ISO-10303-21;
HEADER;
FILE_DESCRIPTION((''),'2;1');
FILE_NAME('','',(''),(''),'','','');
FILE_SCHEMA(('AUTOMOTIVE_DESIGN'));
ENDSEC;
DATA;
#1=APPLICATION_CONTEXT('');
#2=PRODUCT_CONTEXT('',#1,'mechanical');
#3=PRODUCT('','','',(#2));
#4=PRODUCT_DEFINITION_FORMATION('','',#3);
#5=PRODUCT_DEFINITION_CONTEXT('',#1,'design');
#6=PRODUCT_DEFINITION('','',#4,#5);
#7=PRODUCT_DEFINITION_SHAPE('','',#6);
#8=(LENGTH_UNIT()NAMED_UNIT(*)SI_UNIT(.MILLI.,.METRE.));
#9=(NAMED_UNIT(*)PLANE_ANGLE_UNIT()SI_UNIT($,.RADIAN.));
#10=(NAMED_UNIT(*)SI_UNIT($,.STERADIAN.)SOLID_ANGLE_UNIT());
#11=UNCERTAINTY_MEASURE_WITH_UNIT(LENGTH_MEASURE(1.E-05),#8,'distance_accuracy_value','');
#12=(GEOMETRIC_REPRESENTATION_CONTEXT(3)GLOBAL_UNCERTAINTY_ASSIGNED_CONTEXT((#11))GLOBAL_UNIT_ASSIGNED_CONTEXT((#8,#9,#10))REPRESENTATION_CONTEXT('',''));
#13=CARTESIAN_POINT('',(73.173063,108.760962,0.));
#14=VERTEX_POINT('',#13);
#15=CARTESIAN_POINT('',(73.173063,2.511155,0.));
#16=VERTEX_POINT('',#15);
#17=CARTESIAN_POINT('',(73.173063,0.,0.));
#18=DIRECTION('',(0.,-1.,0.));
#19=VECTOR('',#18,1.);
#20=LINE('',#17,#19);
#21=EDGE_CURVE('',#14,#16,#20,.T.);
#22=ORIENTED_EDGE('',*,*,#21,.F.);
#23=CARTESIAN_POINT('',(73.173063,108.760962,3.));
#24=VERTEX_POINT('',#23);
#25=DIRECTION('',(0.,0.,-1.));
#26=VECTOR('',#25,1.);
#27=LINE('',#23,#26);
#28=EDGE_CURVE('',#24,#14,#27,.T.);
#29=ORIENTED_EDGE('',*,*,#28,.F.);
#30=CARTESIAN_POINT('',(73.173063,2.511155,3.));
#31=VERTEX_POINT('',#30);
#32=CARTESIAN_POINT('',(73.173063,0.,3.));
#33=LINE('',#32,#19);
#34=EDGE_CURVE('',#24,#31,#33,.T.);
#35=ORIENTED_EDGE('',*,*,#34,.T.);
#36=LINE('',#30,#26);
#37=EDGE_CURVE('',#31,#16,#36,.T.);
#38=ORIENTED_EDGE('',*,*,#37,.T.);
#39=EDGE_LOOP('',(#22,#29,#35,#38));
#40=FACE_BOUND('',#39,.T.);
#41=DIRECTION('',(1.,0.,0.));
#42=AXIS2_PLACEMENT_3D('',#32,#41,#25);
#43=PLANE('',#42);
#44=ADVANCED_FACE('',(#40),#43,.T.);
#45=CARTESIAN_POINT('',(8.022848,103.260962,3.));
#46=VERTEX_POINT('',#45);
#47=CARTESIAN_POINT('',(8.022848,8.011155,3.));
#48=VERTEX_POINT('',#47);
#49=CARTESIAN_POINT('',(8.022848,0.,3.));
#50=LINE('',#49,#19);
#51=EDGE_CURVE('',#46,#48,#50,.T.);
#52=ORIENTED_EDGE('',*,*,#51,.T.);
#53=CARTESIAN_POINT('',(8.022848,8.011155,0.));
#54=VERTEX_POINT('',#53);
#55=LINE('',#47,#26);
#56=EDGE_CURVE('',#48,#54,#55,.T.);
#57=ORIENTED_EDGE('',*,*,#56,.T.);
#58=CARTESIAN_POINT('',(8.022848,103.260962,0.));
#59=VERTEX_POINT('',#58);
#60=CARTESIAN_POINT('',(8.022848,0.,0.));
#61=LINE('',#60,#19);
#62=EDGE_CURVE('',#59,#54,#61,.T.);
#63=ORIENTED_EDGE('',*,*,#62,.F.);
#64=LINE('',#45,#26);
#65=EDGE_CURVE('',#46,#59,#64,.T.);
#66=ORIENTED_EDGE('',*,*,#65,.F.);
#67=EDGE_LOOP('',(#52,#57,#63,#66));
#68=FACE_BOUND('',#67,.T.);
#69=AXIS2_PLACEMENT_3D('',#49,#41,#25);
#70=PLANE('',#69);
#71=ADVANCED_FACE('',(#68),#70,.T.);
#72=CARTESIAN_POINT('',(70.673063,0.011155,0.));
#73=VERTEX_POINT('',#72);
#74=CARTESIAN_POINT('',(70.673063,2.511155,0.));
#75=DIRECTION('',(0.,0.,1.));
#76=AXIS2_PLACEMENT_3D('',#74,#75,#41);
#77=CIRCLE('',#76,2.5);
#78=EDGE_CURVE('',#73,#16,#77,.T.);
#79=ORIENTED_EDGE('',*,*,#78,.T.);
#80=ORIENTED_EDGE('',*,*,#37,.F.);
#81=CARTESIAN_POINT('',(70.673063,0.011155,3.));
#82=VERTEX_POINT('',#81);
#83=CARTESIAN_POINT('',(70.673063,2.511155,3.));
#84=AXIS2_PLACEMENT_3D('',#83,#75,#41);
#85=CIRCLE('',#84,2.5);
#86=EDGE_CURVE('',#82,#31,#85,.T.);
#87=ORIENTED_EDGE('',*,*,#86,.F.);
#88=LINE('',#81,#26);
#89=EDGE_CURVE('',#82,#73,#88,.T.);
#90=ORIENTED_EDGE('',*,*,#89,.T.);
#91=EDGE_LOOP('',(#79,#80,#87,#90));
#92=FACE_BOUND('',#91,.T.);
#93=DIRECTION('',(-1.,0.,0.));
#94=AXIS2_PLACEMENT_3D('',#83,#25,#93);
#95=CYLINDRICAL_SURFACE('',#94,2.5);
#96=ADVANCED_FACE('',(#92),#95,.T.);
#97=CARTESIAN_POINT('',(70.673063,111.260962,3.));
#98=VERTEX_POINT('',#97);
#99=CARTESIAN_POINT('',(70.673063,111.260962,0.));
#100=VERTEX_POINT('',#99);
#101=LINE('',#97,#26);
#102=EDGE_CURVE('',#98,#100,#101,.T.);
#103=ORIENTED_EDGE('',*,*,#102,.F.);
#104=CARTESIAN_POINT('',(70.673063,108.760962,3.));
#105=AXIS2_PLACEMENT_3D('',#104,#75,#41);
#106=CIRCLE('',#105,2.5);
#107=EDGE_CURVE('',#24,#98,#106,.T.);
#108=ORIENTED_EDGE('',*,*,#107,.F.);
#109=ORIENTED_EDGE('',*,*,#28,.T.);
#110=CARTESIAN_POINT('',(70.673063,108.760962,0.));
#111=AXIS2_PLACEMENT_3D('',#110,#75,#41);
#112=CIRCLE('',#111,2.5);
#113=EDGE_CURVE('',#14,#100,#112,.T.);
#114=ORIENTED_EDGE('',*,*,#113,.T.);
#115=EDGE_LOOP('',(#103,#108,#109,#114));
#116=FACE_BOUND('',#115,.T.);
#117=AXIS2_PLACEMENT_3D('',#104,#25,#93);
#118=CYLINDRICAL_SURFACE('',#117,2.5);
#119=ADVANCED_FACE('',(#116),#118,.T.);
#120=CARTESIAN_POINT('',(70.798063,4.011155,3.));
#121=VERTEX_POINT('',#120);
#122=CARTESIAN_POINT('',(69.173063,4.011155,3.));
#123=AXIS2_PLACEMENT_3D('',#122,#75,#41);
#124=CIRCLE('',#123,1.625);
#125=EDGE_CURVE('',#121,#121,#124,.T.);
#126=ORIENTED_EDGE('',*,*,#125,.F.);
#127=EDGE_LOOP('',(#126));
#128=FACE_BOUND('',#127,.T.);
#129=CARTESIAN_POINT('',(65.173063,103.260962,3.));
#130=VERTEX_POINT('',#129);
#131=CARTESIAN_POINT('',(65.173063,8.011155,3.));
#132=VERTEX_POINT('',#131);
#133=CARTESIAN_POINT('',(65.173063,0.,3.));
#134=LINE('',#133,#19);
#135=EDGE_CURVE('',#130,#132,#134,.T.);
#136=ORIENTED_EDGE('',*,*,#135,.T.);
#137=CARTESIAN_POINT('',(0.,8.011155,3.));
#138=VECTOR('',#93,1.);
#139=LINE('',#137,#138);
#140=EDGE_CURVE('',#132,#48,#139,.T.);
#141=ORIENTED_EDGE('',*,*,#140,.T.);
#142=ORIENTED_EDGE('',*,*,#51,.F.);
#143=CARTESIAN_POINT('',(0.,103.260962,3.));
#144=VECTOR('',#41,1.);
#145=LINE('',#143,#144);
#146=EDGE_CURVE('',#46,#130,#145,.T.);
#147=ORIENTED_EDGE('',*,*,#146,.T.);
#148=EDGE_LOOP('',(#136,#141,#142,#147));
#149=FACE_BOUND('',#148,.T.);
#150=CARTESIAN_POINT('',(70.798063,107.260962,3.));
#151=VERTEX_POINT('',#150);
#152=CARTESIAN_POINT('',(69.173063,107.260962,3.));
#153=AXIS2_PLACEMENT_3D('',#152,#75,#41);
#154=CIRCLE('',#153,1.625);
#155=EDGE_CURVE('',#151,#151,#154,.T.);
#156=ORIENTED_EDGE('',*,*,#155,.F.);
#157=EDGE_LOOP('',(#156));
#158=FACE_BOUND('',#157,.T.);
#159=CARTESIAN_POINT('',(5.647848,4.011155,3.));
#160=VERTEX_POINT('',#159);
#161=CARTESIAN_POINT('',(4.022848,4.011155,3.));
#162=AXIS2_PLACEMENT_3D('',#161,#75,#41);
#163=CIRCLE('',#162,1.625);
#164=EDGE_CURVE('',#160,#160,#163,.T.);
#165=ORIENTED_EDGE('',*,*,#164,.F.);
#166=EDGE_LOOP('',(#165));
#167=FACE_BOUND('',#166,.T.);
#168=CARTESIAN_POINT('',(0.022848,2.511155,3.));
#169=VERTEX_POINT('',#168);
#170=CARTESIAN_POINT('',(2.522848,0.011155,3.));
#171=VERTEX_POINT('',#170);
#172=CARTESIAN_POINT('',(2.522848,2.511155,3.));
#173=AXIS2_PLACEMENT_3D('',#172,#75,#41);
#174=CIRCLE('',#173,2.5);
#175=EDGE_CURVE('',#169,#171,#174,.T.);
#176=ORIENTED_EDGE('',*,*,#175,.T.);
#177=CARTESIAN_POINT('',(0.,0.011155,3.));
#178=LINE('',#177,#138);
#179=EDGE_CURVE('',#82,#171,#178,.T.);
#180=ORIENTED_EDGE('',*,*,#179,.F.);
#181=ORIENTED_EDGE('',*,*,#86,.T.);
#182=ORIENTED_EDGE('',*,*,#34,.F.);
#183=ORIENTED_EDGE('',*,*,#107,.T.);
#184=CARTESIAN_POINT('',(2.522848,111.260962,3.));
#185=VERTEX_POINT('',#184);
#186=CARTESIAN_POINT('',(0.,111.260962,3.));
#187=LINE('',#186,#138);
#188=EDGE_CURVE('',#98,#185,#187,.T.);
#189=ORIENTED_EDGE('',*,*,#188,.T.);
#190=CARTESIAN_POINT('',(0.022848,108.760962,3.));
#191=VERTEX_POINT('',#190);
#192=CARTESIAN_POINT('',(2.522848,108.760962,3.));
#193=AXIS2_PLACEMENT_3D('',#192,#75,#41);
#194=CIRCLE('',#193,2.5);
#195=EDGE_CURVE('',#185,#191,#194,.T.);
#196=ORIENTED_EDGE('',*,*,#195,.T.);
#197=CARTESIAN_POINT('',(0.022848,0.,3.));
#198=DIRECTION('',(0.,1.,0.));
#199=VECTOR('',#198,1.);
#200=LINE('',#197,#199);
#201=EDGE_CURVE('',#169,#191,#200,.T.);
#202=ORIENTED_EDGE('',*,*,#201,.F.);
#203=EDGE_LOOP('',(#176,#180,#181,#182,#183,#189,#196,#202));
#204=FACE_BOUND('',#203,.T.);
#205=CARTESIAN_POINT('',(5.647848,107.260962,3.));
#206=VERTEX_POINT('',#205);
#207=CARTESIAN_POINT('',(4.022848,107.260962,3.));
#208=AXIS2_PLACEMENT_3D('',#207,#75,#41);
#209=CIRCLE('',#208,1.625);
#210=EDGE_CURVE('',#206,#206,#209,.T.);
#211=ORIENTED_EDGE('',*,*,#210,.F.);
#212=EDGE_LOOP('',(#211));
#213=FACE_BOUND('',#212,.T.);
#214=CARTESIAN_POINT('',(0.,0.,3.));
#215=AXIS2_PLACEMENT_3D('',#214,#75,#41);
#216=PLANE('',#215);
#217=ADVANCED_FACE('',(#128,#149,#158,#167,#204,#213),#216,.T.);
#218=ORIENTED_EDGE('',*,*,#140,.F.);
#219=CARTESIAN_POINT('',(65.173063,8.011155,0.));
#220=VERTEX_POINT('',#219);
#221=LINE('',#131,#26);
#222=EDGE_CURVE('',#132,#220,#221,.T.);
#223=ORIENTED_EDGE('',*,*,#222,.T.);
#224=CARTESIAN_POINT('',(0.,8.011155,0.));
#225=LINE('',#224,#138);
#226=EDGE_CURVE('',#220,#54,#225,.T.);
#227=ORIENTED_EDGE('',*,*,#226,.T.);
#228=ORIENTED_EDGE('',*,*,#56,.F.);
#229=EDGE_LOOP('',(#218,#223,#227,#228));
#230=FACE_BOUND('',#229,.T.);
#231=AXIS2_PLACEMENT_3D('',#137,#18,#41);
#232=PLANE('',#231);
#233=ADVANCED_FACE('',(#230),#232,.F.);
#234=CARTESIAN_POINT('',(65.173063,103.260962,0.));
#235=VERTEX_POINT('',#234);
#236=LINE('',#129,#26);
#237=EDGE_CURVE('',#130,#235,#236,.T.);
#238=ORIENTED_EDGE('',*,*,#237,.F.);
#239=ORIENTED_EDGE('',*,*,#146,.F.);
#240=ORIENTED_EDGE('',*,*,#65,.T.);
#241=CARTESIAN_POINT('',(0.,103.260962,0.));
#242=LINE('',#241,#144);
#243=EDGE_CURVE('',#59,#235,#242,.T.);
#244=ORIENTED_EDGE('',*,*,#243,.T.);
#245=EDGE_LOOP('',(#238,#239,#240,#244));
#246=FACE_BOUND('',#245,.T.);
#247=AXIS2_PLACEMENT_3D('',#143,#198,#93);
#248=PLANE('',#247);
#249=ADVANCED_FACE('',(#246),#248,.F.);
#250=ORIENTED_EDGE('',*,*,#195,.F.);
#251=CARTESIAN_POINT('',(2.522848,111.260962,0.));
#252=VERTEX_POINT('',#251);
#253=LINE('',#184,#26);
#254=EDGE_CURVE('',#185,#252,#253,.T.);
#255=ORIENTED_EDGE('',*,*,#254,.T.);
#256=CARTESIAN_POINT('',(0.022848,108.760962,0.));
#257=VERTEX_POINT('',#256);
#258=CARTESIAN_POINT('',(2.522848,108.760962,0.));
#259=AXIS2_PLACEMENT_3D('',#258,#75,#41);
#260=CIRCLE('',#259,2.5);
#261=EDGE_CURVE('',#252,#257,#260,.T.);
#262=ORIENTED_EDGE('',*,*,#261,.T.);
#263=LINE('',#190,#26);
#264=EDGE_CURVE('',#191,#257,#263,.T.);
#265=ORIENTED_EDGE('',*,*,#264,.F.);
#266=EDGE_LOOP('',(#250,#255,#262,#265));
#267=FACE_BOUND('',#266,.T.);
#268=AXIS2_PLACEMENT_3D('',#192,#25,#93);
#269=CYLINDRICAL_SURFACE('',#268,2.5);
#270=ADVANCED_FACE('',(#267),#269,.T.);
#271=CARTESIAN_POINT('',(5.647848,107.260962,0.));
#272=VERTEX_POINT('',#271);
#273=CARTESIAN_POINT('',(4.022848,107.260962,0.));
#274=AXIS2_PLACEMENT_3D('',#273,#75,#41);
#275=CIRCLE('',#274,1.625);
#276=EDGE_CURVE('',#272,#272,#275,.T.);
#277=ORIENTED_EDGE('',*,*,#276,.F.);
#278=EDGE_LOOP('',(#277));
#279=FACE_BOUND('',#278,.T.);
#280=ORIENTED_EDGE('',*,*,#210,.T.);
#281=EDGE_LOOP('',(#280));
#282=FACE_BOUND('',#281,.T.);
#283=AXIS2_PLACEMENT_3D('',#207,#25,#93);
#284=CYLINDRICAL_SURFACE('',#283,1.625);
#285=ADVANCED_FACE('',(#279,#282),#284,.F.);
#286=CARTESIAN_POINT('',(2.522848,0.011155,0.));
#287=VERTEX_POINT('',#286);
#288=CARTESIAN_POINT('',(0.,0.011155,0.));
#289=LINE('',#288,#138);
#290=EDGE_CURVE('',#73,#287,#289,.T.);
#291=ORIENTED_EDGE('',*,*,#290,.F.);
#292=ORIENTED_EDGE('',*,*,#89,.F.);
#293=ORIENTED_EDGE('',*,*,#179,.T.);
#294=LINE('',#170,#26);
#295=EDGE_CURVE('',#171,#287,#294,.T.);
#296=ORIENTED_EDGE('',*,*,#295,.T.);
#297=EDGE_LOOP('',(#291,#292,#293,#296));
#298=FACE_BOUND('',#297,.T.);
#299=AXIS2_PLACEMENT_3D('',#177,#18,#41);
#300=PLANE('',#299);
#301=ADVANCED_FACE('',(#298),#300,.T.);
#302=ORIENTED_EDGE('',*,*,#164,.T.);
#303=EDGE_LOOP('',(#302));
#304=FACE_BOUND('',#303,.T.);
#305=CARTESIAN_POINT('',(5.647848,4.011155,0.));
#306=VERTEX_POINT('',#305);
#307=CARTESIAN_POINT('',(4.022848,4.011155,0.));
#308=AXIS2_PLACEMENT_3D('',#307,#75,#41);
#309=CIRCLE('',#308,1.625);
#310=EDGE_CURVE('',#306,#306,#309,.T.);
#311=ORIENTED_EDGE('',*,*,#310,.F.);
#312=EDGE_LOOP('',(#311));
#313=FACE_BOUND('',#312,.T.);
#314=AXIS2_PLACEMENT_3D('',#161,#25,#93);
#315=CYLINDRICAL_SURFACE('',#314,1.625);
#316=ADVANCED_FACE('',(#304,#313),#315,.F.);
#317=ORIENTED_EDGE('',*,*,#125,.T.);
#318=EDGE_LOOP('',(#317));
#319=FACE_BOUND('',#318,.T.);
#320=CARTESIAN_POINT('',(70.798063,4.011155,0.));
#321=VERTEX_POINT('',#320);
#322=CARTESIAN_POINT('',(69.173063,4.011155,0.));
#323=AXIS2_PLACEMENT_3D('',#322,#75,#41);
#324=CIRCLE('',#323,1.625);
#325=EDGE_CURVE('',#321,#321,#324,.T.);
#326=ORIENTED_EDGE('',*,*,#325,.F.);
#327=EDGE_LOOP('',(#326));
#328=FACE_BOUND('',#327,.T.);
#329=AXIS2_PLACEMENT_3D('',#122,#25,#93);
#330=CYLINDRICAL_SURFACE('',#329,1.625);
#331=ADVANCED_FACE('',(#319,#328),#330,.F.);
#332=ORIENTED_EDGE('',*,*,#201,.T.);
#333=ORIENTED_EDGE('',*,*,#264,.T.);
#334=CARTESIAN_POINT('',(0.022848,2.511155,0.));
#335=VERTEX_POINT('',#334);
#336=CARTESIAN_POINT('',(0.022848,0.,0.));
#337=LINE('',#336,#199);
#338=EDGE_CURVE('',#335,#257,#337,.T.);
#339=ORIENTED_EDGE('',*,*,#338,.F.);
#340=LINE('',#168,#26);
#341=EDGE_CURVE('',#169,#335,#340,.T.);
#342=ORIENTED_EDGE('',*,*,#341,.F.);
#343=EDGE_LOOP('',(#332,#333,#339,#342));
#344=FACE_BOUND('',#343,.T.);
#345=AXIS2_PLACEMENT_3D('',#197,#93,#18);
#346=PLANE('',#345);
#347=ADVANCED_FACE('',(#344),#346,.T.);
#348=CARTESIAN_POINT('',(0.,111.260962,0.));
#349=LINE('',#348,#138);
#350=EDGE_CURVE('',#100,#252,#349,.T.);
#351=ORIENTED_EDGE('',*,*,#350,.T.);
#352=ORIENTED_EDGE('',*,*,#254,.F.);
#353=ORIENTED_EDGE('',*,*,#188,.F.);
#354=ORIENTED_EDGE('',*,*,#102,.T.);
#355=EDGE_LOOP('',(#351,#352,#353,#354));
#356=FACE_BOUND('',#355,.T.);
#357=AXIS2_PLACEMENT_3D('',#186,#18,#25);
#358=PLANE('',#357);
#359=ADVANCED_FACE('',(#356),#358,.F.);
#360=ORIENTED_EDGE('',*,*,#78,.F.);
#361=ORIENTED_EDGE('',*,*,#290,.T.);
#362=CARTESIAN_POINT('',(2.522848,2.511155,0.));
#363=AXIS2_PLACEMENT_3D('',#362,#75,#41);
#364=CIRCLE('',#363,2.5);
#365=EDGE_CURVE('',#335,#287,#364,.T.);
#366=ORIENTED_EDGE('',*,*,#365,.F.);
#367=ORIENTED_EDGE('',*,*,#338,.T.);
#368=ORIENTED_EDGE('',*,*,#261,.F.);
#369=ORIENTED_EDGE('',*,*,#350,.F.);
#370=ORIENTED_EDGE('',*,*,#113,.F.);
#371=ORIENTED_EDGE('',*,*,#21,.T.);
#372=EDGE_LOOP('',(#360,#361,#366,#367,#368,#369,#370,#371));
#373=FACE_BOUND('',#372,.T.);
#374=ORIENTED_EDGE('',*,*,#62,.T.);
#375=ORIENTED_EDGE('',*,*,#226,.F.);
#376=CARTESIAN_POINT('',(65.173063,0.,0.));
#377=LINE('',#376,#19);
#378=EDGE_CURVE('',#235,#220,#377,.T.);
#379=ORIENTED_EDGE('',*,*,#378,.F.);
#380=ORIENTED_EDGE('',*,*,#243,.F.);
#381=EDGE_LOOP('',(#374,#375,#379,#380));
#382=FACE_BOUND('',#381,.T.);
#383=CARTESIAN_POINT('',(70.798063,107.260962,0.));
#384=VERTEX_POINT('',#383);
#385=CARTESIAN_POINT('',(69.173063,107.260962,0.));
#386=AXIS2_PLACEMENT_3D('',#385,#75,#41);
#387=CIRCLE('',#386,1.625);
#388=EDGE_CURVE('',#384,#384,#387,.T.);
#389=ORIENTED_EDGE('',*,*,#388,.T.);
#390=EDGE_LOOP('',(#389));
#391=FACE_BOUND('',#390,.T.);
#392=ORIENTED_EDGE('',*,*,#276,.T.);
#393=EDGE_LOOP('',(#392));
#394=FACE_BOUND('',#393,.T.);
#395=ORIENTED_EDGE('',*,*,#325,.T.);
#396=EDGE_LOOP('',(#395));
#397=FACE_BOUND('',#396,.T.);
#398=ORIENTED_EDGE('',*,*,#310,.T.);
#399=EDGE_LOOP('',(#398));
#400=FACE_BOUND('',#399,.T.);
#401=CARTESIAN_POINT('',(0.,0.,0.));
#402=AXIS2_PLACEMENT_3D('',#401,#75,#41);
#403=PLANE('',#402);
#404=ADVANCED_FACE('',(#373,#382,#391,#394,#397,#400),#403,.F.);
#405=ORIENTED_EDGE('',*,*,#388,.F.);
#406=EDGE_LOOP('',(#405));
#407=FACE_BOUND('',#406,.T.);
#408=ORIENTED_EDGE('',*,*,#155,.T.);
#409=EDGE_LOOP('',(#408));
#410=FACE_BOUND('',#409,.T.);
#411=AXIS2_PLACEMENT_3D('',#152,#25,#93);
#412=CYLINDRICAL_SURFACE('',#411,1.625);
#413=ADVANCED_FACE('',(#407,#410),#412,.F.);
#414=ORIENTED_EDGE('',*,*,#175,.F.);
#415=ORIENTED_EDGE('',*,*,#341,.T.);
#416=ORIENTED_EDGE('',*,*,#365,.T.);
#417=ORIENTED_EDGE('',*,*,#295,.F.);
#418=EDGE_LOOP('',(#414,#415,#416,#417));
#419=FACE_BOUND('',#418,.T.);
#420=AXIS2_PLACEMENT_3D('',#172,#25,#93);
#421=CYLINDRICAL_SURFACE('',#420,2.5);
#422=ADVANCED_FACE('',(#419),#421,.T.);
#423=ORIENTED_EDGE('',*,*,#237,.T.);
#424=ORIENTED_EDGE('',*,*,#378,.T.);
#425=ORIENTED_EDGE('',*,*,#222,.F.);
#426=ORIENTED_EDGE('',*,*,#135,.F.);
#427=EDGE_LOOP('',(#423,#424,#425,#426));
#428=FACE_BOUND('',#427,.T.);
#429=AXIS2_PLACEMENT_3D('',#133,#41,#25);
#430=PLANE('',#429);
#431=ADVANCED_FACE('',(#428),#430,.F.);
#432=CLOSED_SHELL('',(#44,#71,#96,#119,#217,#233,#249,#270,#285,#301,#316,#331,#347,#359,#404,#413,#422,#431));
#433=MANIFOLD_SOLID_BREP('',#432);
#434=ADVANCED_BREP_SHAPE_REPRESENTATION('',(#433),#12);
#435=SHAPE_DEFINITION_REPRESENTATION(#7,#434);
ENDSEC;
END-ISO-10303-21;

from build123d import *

# Parameters (mm, degrees)
MODEL_R         = 1.625
MODEL_W         = 57.1502154
MODEL_H         = 95.249807
EXTRUDE_1_DEPTH = 3


with BuildPart() as part:
    # Model → 凸台-拉伸1 (new body)
    with BuildSketch(Plane.XY):
        with BuildLine():
            Line((8.022847613, 111.260961872), (2.522847613, 111.260961872))
            ThreePointArc((2.522847613, 111.260961872), (0.75508066, 110.528728825), (0.022847613, 108.760961872))
            Line((0.022847613, 108.760961872), (0.022847613, 8.011154872))
            Line((0.022847613, 8.011154872), (0.022847613, 2.511154872))
            ThreePointArc((0.022847613, 2.511154872), (0.75508066, 0.743387919), (2.522847613, 0.011154872))
            Line((2.522847613, 0.011154872), (65.173063013, 0.011154872))
            Line((65.173063013, 0.011154872), (70.673063013, 0.011154872))
            ThreePointArc((70.673063013, 0.011154872), (72.440829966, 0.743387919), (73.173063013, 2.511154872))
            Line((73.173063013, 2.511154872), (73.173063013, 8.011154872))
            Line((73.173063013, 8.011154872), (73.173063013, 108.760961872))
            ThreePointArc((73.173063013, 108.760961872), (72.440829966, 110.528728825), (70.673063013, 111.260961872))
            Line((70.673063013, 111.260961872), (8.022847613, 111.260961872))
        make_face()
        with Locations((69.173063013, 4.011154872)):
            Circle(MODEL_R, mode=Mode.SUBTRACT)
        with Locations((4.022847613, 4.011154872)):
            Circle(MODEL_R, mode=Mode.SUBTRACT)
        with Locations((4.022847613, 107.260961872)):
            Circle(MODEL_R, mode=Mode.SUBTRACT)
        with Locations((69.173063013, 107.260961872)):
            Circle(MODEL_R, mode=Mode.SUBTRACT)
        with Locations((36.597955313, 55.636058372)):
            Rectangle(MODEL_W, MODEL_H, mode=Mode.SUBTRACT)
    extrude(amount=EXTRUDE_1_DEPTH)


solid = part.part
